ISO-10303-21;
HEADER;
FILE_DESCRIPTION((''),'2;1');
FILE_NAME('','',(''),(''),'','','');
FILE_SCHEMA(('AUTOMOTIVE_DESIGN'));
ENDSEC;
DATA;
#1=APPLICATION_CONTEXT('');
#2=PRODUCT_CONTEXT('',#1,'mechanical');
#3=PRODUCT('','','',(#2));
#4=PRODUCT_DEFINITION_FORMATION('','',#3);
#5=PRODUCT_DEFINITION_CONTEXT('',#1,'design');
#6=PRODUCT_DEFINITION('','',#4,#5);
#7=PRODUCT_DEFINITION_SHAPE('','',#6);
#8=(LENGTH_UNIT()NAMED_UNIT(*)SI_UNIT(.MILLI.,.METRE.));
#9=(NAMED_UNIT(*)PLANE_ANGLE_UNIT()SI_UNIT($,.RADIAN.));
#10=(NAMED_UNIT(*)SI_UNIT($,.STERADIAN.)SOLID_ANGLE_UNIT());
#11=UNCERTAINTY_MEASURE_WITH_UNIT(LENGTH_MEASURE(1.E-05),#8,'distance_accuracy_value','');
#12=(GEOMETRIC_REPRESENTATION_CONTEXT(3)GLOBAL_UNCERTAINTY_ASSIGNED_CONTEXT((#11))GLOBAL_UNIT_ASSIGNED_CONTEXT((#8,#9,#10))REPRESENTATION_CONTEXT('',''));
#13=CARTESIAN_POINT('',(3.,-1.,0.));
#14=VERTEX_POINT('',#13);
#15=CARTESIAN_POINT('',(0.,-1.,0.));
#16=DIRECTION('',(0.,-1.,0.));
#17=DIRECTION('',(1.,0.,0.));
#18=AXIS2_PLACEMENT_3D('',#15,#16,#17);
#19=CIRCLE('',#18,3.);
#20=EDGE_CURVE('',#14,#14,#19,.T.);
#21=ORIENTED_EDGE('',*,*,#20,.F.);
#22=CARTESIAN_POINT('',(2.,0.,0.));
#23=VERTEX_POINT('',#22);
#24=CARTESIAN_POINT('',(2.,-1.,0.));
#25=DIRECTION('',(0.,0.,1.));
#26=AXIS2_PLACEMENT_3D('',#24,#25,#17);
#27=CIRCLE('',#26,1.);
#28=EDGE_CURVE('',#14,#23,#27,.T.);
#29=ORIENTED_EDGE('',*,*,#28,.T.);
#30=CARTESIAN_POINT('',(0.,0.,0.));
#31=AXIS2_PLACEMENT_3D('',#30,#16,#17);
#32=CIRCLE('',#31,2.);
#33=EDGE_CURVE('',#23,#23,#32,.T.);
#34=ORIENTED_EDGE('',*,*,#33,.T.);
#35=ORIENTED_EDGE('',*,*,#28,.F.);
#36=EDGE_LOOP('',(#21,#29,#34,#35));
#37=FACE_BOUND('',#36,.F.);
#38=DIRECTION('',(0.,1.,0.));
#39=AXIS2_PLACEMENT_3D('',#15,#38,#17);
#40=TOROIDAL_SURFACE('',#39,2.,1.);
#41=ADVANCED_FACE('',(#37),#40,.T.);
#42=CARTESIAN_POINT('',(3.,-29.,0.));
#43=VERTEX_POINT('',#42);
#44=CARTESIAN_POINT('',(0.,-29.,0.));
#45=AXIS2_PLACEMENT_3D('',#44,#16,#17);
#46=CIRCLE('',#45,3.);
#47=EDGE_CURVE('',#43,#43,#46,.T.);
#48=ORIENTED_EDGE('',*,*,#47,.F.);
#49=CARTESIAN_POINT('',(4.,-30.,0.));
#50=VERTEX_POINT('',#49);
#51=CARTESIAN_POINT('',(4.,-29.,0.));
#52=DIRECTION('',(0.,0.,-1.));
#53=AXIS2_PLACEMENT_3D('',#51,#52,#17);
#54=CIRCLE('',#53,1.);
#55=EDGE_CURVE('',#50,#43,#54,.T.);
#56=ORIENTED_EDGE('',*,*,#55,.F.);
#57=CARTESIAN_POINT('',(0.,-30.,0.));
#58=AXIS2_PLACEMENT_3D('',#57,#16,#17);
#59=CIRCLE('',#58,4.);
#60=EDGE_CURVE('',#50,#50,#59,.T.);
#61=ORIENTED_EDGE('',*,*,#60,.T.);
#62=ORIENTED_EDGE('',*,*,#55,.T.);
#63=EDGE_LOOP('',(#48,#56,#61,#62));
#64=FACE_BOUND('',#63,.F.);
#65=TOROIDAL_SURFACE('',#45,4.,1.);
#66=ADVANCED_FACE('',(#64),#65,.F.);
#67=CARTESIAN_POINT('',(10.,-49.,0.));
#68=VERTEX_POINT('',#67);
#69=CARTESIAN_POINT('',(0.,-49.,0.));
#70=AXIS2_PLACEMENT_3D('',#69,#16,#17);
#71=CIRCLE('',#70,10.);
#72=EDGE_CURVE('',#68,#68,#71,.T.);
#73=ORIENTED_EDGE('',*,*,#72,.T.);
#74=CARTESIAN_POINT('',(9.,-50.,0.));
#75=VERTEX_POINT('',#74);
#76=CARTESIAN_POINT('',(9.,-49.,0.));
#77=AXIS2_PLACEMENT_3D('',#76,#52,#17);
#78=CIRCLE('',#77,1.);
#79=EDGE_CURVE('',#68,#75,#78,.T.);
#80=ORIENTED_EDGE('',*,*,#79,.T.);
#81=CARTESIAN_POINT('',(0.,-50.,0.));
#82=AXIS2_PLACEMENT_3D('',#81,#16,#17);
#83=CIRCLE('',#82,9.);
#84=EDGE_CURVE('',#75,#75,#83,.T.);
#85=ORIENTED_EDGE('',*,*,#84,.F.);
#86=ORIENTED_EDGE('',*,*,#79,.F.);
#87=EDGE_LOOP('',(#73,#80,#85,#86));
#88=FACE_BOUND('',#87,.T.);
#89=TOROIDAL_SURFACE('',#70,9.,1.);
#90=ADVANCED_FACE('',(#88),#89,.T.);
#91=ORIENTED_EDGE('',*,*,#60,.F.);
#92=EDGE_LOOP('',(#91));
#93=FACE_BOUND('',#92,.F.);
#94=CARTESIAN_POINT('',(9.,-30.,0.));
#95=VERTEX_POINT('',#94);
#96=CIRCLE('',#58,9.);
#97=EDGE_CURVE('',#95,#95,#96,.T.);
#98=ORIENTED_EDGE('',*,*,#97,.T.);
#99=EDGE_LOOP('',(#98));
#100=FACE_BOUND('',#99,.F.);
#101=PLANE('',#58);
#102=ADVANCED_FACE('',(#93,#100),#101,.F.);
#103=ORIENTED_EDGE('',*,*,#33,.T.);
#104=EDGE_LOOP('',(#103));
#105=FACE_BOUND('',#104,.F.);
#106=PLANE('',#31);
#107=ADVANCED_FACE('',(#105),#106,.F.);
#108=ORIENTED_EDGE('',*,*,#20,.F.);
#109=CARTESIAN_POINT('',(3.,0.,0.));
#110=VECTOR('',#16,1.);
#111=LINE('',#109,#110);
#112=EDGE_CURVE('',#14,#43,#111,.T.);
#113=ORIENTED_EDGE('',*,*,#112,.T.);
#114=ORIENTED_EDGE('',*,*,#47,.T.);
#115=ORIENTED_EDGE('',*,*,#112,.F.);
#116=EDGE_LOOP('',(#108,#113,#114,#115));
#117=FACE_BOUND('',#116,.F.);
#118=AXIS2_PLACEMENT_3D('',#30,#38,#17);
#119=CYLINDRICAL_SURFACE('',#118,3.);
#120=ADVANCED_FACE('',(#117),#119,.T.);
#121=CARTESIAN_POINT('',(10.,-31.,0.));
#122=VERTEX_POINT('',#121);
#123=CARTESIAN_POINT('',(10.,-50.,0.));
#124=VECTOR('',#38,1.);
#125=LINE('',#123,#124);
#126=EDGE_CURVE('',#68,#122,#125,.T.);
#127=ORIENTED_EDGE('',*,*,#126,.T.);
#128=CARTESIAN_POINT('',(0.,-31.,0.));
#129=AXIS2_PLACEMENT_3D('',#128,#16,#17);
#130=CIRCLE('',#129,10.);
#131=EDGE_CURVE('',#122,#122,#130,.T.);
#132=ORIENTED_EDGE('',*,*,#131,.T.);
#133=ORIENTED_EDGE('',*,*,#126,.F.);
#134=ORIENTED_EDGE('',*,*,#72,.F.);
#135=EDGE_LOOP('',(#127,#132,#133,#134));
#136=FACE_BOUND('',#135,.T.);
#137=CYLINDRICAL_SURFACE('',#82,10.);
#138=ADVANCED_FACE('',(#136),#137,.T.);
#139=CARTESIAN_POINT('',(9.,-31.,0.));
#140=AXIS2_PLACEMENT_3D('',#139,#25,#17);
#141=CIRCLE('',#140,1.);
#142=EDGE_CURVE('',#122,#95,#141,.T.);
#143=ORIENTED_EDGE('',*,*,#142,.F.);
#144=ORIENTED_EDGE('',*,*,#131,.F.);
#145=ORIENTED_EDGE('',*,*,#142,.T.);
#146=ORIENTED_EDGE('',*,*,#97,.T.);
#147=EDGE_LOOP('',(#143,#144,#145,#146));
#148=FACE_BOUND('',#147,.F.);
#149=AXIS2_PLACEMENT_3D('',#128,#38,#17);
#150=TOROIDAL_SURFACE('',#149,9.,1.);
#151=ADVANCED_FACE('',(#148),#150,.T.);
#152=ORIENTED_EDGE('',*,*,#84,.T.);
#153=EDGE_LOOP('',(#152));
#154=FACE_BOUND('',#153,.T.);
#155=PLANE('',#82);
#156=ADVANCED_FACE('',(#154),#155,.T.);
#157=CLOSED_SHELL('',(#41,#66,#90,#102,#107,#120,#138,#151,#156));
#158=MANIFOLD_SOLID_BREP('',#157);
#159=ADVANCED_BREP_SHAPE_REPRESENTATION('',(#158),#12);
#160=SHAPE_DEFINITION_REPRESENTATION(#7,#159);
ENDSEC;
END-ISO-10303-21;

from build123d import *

# Parameters (mm, degrees)
F0_R     = 3
F1_DEPTH = 50
F2_R     = 1
F3_R     = 10
F3_R_2   = 3
F4_DEPTH = 20
F5_R     = 1


with BuildPart() as f1:
    # F0 (on Front) → F1 (new body)
    with BuildSketch(Plane.XZ):
        Circle(F0_R)
    extrude(amount=F1_DEPTH)

    # F2
    f2_edges = [f1.edges().sort_by_distance(p)[0] for p in [
        (-3, 0, 0),
    ]]
    fillet(f2_edges, radius=F2_R)

    # F3 (on face) → F4 (join)
    with BuildSketch(Plane.XZ.offset(50)):
        Circle(F3_R)
        Circle(F3_R_2, mode=Mode.SUBTRACT)
    extrude(amount=-F4_DEPTH)

    # F5
    f5_edges = [f1.edges().sort_by_distance(p)[0] for p in [
        (-3, -30, 0),
        (-10, -30, 0),
        (-10, -50, 0),
    ]]
    fillet(f5_edges, radius=F5_R)


solid = f1.part
